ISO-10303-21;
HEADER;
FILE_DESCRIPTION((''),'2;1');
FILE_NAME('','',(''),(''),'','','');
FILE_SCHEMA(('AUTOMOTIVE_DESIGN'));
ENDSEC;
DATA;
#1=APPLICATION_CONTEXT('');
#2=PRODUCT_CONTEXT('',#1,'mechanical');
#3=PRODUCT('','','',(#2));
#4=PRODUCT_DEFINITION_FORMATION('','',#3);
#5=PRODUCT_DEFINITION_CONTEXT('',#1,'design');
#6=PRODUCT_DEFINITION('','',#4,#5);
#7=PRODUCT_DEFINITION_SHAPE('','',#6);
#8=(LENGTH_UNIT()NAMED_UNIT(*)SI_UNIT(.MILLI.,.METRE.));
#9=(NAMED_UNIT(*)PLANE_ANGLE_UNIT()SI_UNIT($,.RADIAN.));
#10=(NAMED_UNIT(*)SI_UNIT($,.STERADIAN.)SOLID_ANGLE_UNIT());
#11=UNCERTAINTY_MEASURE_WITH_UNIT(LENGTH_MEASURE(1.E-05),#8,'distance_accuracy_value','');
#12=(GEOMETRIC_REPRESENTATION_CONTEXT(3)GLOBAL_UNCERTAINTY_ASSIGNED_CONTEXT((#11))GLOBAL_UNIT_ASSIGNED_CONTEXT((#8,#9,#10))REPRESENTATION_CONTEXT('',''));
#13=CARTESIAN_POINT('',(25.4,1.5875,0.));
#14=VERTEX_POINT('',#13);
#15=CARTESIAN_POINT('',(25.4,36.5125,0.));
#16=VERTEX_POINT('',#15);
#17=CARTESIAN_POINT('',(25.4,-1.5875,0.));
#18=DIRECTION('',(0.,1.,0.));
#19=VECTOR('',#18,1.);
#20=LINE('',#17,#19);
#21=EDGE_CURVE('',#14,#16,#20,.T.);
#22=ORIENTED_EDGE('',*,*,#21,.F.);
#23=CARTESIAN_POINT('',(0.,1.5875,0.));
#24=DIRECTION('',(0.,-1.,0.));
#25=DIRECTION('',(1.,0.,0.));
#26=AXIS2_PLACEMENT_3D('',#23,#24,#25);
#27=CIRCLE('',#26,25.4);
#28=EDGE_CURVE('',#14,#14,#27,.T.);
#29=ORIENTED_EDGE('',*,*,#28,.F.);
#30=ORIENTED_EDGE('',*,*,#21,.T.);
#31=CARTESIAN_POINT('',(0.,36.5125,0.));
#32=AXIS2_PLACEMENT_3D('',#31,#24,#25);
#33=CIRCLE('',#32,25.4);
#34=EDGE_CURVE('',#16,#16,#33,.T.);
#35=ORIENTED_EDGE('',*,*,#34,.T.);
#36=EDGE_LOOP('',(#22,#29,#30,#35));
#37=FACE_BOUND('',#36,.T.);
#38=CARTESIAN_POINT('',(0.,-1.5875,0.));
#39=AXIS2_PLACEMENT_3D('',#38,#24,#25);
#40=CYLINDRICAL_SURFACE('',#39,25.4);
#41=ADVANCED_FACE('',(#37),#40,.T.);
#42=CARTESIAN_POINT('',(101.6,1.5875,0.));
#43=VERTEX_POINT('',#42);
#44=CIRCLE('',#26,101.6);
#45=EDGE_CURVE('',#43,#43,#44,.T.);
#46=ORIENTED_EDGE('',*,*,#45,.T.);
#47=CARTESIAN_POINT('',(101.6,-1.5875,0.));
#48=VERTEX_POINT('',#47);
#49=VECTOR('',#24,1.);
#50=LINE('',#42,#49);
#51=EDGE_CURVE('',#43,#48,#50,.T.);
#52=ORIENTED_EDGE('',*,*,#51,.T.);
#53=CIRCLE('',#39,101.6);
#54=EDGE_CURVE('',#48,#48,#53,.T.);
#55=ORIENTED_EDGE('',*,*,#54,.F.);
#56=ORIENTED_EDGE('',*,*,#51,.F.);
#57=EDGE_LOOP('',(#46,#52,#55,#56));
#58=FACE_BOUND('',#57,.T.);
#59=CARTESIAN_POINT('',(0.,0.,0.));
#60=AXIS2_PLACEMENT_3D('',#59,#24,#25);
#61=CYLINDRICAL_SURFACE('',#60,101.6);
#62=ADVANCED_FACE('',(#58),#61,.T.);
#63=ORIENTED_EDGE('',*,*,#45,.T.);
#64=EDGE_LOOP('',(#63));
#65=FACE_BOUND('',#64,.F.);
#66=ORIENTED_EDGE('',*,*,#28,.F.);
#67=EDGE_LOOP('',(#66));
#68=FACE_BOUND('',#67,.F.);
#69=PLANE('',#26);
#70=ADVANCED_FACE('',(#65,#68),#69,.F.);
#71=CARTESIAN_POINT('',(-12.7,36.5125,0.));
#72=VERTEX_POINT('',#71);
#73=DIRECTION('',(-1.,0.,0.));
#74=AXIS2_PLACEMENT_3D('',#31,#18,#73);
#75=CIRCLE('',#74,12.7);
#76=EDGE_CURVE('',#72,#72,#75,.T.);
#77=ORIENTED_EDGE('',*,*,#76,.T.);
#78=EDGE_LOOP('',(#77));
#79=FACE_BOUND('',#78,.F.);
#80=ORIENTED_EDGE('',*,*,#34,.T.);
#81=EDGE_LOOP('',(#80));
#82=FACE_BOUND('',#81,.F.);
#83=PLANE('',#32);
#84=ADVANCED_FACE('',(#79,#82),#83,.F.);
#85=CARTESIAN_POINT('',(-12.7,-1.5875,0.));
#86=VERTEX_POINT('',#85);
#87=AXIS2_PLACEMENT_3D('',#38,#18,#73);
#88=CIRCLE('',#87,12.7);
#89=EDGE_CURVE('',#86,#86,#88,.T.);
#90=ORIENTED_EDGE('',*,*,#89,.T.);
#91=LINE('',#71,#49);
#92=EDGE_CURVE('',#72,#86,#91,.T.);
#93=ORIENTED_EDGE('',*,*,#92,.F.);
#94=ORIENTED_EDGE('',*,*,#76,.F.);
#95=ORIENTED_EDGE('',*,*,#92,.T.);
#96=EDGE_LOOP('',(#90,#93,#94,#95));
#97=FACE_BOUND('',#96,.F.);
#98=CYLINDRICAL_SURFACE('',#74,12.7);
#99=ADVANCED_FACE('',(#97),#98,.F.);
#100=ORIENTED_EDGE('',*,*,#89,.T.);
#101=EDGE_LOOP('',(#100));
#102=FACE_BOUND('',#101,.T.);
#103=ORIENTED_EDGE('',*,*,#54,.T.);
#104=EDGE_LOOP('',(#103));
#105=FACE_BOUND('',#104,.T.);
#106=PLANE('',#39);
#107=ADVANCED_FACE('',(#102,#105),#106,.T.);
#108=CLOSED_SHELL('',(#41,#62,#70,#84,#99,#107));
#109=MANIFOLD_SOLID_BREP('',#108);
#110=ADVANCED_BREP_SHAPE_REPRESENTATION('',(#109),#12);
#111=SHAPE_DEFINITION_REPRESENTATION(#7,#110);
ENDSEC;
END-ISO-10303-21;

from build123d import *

# Parameters (mm, degrees)
F0_R     = 101.6
F1_DEPTH = 1.5875
F2_R     = 25.4
F3_DEPTH = 38.1
F4_R     = 12.7
F5_DEPTH = 63.5
F6_R     = 12.7
F7_DEPTH = 63.5


with BuildPart() as f1:
    # F0 (on Front) → F1 (new body, symmetric)
    with BuildSketch(Plane.XZ):
        Circle(F0_R)
    extrude(amount=F1_DEPTH, both=True)

    # F2 (on face) → F3 (join)
    with BuildSketch(Plane.XZ.offset(1.5875)):
        Circle(F2_R)
    extrude(amount=-F3_DEPTH)

    # F4 (on face) → F5 (cut)
    with BuildSketch(Plane(origin=(0, 36.5125, 0), x_dir=(-1, 0, 0), z_dir=(0, 1, 0))):
        Circle(F4_R)
    extrude(amount=F5_DEPTH, mode=Mode.SUBTRACT)

    # F6 (on face) → F7 (cut)
    with BuildSketch(Plane(origin=(0, 36.5125, 0), x_dir=(-1, 0, 0), z_dir=(0, 1, 0))):
        Circle(F6_R)
    extrude(amount=-F7_DEPTH, mode=Mode.SUBTRACT)


solid = f1.part
